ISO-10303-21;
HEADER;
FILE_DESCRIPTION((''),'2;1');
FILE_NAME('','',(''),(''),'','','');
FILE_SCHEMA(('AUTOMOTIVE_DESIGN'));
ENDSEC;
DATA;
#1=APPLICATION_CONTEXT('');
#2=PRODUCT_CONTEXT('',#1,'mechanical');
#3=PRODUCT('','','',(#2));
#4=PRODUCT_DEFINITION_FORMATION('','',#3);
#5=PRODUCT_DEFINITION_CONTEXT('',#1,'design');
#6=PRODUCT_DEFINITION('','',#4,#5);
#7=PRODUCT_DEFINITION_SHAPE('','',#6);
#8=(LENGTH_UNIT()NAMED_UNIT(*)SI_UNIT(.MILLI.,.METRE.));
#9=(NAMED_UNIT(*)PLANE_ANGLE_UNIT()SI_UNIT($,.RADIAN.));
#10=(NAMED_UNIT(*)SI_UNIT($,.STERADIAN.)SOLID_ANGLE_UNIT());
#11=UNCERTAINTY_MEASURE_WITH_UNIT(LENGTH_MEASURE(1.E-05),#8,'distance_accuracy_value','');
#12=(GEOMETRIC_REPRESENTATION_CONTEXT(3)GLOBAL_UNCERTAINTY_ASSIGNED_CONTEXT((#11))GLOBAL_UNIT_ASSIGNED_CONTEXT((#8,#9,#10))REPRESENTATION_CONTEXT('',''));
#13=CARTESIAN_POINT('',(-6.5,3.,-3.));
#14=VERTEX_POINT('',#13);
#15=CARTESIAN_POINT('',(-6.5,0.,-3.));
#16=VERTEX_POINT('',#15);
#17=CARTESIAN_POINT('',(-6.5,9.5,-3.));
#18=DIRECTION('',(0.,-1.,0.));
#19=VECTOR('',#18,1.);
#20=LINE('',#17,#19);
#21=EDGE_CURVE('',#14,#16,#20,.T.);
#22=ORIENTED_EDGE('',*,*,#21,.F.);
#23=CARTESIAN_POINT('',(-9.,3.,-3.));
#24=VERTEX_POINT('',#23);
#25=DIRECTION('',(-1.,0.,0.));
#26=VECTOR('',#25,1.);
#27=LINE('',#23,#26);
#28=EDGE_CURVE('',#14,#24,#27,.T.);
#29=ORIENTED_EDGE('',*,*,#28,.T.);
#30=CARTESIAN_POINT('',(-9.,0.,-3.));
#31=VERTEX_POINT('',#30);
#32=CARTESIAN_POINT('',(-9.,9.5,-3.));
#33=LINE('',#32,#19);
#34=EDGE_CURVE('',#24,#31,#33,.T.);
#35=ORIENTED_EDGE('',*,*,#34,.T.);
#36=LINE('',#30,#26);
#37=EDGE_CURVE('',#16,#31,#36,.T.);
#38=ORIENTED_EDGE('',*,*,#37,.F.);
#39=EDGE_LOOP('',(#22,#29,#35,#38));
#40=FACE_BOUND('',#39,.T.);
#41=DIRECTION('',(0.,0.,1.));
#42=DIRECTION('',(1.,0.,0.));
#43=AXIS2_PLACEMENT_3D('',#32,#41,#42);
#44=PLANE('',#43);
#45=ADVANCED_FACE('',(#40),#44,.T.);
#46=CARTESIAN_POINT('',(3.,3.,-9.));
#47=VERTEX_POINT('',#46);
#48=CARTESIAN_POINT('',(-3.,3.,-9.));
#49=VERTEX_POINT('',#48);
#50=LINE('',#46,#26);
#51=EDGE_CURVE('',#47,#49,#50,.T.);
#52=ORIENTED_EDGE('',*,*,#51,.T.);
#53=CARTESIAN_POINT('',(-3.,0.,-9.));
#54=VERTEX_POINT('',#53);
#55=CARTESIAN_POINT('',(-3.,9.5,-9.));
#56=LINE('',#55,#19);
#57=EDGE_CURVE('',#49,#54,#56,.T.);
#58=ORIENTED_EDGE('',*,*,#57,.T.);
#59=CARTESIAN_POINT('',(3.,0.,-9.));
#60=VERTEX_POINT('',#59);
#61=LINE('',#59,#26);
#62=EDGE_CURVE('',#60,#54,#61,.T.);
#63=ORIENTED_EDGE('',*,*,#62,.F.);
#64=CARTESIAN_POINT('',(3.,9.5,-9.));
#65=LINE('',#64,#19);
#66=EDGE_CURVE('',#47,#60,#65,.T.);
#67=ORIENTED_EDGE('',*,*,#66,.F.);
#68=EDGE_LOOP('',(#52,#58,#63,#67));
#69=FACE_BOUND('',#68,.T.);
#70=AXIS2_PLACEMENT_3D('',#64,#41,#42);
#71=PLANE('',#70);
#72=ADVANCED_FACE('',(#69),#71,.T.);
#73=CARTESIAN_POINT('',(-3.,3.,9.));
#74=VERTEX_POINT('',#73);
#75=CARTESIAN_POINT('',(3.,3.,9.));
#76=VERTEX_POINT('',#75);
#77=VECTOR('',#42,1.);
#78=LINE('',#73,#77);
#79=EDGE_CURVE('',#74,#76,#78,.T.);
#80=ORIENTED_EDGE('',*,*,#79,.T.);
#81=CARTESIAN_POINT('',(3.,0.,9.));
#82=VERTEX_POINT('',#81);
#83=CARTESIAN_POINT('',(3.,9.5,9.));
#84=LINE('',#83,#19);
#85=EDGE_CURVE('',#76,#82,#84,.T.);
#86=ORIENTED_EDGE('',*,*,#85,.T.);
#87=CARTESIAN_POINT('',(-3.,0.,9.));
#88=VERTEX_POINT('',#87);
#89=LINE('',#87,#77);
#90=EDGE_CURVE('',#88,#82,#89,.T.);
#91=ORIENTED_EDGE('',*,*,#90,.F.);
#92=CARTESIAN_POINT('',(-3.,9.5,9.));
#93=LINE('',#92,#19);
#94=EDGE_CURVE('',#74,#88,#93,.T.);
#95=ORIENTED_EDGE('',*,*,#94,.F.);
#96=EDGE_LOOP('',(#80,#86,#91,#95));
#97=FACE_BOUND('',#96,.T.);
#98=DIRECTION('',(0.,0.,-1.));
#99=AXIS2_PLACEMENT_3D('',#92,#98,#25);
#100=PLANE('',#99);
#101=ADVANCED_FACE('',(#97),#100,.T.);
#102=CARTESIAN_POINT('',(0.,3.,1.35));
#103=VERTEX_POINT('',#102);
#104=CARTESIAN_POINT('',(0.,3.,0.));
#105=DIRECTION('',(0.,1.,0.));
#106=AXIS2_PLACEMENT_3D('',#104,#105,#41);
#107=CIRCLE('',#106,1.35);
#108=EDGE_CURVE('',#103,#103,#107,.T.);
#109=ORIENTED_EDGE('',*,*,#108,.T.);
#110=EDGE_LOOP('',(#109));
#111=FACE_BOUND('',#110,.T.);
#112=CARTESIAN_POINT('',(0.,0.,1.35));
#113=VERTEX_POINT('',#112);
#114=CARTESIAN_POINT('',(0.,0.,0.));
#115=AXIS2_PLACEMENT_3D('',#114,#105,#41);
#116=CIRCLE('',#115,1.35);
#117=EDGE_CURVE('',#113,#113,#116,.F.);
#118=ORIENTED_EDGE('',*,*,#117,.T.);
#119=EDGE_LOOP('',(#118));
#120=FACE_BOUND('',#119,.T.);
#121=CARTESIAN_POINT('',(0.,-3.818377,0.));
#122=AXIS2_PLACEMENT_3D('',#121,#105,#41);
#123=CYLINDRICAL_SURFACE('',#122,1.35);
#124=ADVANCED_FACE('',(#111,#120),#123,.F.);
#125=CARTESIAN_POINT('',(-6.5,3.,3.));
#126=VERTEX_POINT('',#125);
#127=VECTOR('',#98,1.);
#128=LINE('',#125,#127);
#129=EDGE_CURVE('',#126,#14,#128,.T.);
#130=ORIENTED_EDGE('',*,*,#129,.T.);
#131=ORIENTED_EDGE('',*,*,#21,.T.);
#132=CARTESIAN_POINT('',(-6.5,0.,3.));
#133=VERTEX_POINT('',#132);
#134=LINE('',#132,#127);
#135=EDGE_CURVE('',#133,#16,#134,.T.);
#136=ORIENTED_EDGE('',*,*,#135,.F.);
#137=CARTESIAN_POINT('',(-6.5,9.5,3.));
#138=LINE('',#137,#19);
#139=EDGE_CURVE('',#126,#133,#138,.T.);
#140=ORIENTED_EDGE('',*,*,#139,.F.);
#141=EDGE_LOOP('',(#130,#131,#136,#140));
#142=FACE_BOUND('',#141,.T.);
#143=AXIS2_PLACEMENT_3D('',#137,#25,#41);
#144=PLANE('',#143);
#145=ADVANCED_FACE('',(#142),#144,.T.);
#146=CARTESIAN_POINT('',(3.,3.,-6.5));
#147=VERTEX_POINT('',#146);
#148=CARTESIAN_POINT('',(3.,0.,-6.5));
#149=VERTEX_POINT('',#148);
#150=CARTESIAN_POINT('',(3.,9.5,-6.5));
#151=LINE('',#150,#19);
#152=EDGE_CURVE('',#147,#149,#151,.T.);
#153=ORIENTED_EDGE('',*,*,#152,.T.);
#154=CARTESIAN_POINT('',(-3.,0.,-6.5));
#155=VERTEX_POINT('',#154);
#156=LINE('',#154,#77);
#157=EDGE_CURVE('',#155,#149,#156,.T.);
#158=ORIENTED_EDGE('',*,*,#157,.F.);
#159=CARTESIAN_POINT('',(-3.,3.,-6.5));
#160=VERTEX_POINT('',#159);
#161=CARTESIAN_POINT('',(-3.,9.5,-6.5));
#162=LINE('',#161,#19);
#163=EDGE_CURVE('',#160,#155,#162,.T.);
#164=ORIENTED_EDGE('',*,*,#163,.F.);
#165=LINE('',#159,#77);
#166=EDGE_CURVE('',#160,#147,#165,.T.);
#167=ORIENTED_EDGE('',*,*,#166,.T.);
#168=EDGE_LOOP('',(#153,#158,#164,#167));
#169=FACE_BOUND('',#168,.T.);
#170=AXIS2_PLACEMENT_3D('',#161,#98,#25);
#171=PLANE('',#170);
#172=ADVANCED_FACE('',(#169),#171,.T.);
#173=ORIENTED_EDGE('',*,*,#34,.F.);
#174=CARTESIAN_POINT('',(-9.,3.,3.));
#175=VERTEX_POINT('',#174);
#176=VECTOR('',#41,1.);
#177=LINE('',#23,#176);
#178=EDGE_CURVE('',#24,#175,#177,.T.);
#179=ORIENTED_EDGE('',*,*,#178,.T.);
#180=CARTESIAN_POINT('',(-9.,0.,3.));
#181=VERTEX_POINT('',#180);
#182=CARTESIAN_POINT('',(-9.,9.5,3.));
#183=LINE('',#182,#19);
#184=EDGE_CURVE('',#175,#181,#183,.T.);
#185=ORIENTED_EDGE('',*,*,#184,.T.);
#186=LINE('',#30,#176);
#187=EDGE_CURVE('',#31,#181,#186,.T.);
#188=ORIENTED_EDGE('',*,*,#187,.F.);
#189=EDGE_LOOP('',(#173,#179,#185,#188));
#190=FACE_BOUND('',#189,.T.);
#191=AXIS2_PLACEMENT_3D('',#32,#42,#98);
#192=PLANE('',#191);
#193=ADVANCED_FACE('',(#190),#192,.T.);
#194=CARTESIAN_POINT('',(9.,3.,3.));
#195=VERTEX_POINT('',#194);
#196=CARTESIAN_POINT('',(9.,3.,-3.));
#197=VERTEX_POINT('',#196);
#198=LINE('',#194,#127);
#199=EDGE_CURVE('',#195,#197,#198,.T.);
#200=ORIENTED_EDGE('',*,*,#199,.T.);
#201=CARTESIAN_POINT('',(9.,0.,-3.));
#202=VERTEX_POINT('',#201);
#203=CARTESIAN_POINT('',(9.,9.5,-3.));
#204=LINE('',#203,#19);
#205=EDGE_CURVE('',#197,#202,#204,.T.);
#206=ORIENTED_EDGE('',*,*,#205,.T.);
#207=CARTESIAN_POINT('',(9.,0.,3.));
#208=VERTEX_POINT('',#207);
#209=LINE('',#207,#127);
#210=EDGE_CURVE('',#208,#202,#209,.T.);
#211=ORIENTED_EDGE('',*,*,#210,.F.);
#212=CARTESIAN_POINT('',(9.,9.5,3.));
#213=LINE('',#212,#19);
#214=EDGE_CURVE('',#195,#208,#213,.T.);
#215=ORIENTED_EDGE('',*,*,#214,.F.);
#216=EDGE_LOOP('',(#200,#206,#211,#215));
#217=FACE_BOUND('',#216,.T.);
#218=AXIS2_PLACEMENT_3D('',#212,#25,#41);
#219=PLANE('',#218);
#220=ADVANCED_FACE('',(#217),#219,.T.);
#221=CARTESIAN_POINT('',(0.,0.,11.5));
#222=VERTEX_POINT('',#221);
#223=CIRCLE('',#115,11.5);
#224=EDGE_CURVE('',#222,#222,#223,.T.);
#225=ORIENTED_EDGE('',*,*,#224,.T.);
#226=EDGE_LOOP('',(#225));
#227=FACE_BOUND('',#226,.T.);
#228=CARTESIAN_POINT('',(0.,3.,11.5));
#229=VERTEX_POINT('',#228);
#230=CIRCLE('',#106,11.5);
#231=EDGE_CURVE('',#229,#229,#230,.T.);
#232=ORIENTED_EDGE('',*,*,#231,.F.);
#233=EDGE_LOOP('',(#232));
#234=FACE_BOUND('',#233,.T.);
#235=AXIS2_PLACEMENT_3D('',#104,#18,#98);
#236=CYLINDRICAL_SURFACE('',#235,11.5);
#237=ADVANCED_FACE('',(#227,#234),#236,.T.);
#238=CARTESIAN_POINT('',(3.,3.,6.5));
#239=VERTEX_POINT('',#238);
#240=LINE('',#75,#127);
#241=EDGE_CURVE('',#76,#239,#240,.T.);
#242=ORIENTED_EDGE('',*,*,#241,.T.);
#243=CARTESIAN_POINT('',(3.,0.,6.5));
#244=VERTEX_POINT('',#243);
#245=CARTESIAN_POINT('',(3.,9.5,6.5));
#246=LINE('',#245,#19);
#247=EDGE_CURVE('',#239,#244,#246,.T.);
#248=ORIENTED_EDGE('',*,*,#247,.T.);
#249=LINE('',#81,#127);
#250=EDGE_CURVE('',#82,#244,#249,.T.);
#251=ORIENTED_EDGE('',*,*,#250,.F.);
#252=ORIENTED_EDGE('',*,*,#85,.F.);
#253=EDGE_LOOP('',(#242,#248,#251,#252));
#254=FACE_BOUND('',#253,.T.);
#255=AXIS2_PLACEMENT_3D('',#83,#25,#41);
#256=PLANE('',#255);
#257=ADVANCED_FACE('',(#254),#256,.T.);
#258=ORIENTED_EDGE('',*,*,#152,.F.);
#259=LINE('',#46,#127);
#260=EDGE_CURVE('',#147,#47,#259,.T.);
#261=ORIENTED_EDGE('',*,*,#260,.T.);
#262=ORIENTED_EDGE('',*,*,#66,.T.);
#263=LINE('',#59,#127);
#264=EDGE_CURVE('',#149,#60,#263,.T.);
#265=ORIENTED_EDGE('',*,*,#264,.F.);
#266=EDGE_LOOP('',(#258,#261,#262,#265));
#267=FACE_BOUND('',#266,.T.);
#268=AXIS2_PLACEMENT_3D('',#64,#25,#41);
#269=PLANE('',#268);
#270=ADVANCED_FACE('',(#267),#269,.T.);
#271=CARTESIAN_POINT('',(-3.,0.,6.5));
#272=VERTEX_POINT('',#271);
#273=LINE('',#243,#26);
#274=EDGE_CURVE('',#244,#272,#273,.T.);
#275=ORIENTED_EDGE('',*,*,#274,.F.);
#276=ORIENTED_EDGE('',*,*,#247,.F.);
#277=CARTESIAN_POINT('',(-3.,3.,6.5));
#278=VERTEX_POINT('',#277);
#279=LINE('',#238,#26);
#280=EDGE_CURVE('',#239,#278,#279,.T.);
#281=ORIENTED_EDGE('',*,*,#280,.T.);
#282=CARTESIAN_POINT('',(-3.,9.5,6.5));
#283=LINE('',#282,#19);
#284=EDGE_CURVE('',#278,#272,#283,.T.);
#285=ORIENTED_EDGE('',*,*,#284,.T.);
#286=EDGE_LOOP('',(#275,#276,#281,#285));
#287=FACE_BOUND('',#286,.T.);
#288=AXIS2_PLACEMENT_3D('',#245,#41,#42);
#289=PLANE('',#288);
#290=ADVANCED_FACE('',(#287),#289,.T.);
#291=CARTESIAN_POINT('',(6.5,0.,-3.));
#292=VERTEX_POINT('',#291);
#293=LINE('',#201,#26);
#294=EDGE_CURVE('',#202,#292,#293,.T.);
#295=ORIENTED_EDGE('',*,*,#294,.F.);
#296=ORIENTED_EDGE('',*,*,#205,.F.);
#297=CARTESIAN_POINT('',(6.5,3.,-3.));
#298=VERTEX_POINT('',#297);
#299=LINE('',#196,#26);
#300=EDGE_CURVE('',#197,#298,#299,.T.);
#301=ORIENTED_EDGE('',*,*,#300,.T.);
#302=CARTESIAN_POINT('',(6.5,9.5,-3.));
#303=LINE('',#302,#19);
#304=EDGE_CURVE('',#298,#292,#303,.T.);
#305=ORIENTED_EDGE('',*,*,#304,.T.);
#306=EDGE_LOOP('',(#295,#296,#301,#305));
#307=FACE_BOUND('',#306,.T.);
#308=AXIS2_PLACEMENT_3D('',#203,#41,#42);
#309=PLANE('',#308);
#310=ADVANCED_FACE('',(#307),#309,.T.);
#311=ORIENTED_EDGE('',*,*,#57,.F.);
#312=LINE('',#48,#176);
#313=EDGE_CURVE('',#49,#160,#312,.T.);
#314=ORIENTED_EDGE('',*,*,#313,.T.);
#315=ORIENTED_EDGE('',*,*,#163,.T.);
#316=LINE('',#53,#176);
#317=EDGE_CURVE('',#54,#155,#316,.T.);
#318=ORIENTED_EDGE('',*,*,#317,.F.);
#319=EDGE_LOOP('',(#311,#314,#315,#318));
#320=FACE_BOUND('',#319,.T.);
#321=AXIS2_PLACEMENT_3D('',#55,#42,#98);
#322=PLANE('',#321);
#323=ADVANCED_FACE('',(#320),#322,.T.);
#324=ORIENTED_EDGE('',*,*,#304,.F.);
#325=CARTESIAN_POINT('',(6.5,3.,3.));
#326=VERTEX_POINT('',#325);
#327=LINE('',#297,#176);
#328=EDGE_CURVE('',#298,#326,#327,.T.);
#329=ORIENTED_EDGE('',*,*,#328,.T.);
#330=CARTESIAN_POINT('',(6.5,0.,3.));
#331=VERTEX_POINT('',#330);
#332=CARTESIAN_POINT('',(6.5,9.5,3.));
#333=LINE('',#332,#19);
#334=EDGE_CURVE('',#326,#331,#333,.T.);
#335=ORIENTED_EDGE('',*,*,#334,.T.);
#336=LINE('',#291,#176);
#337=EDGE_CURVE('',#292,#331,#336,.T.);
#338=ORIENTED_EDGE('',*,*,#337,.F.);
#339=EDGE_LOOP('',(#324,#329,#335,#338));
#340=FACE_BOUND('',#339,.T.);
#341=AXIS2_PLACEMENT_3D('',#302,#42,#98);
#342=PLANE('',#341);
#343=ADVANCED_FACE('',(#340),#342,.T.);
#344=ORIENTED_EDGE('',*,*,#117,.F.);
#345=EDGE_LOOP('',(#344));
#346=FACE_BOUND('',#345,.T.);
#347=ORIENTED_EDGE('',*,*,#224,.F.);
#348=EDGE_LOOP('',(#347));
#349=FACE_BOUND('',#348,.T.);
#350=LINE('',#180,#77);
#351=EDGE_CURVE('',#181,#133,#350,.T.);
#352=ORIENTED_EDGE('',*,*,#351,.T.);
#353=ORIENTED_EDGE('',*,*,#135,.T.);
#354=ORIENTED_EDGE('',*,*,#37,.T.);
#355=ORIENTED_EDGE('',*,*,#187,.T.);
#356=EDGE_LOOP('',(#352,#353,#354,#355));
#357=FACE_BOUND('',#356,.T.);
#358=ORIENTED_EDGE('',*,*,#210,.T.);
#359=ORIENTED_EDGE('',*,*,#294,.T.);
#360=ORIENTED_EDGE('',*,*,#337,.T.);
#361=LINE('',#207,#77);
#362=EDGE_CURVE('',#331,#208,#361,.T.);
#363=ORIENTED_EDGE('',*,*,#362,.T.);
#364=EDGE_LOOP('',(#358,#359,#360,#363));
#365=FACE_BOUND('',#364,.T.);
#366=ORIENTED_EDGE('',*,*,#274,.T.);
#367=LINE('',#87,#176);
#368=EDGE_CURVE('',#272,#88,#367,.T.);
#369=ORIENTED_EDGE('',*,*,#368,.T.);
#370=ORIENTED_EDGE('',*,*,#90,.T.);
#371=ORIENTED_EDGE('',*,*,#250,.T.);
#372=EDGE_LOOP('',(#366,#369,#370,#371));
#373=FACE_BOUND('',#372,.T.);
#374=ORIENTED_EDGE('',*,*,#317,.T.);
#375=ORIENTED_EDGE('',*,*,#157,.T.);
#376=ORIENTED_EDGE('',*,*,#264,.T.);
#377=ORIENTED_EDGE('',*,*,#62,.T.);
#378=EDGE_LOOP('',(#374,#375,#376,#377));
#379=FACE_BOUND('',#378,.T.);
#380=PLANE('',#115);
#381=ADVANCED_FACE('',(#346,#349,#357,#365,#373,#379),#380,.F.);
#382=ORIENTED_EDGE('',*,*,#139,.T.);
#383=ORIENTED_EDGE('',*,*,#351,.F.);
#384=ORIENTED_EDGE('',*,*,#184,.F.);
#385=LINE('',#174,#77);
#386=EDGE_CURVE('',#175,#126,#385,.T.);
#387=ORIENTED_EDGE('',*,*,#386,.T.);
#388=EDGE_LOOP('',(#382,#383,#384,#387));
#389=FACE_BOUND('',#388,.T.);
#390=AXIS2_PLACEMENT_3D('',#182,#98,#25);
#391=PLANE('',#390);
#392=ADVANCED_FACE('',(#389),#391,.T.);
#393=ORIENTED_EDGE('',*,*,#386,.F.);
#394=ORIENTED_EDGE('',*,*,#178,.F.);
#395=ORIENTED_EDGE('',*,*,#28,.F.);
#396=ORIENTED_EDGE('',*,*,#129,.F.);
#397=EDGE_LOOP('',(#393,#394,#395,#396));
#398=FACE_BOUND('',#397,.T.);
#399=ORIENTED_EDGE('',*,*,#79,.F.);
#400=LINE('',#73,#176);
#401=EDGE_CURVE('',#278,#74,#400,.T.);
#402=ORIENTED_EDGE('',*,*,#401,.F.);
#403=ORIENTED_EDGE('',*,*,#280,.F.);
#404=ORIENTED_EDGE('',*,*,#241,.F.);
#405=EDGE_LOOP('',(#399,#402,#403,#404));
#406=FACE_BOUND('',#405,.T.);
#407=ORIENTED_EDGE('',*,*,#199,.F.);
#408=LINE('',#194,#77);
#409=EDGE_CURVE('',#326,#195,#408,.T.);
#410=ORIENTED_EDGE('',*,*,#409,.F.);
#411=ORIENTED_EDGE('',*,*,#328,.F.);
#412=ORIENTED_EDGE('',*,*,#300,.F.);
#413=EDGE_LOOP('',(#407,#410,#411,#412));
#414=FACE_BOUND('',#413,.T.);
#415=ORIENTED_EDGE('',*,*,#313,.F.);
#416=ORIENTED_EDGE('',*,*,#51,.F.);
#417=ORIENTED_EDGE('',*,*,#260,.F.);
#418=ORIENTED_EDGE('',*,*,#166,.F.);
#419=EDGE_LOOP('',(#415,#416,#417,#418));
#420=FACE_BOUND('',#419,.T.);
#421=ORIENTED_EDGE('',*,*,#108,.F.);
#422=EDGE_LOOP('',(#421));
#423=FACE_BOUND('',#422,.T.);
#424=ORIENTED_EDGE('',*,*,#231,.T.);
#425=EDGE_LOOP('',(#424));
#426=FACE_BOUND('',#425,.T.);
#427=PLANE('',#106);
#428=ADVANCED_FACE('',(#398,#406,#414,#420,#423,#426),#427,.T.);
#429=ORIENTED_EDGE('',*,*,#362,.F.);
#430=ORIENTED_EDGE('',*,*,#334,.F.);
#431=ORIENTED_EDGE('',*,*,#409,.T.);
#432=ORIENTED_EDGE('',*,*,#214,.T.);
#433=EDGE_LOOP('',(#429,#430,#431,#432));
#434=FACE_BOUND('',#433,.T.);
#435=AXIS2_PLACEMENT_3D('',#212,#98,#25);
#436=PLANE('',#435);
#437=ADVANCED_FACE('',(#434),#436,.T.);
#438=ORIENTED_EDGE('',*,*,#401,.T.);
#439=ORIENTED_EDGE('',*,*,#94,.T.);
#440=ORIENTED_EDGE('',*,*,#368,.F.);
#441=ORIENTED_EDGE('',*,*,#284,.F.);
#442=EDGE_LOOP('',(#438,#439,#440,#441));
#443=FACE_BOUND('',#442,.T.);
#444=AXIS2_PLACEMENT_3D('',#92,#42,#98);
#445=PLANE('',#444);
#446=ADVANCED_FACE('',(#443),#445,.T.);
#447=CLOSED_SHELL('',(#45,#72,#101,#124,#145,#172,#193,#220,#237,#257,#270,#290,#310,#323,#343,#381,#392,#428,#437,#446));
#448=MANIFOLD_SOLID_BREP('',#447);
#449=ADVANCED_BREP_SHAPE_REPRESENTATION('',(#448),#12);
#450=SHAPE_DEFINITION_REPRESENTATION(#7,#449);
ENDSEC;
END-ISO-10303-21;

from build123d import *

# Parameters (mm, degrees)
SKETCH5_R           = 11.5
BOSS_EXTRUDE2_DEPTH = 3
SKETCH3_W           = 6
SKETCH3_H           = 2.5
SKETCH3_W_2         = 2.5
SKETCH3_H_2         = 6
CUT_EXTRUDE1_DEPTH  = 3
SKETCH6_R           = 1.35
CUT_EXTRUDE2_DEPTH  = 3


with BuildPart() as part:
    # Sketch5 → Boss-Extrude2 (new body)
    with BuildSketch(Plane(origin=(0, 0, 0), x_dir=(1, 0, 0), z_dir=(0, 1, 0))):
        with Locations(Location((0, 0, 0), (0, 0, 270))):
            Circle(SKETCH5_R)
    extrude(amount=BOSS_EXTRUDE2_DEPTH)

    # Sketch3 → Cut-Extrude1 (cut)
    with BuildSketch(Plane(origin=(0, 0, 0), x_dir=(1, 0, 0), z_dir=(0, 1, 0))):
        with Locations((0, 7.75)):
            Rectangle(SKETCH3_W, SKETCH3_H)
        with Locations((7.75, 0)):
            Rectangle(SKETCH3_W_2, SKETCH3_H_2)
        with Locations((0, -7.75)):
            Rectangle(SKETCH3_W, SKETCH3_H)
        with Locations((-7.75, 0)):
            Rectangle(SKETCH3_W_2, SKETCH3_H_2)
    extrude(amount=CUT_EXTRUDE1_DEPTH, mode=Mode.SUBTRACT)

    # Sketch6 → Cut-Extrude2 (cut)
    with BuildSketch(Plane(origin=(0, 3, 0), x_dir=(1, 0, 0), z_dir=(0, 1, 0))):
        with Locations(Location((0, 0, 0), (0, 0, 270))):
            Circle(SKETCH6_R)
    extrude(amount=-CUT_EXTRUDE2_DEPTH, mode=Mode.SUBTRACT)


solid = part.part
